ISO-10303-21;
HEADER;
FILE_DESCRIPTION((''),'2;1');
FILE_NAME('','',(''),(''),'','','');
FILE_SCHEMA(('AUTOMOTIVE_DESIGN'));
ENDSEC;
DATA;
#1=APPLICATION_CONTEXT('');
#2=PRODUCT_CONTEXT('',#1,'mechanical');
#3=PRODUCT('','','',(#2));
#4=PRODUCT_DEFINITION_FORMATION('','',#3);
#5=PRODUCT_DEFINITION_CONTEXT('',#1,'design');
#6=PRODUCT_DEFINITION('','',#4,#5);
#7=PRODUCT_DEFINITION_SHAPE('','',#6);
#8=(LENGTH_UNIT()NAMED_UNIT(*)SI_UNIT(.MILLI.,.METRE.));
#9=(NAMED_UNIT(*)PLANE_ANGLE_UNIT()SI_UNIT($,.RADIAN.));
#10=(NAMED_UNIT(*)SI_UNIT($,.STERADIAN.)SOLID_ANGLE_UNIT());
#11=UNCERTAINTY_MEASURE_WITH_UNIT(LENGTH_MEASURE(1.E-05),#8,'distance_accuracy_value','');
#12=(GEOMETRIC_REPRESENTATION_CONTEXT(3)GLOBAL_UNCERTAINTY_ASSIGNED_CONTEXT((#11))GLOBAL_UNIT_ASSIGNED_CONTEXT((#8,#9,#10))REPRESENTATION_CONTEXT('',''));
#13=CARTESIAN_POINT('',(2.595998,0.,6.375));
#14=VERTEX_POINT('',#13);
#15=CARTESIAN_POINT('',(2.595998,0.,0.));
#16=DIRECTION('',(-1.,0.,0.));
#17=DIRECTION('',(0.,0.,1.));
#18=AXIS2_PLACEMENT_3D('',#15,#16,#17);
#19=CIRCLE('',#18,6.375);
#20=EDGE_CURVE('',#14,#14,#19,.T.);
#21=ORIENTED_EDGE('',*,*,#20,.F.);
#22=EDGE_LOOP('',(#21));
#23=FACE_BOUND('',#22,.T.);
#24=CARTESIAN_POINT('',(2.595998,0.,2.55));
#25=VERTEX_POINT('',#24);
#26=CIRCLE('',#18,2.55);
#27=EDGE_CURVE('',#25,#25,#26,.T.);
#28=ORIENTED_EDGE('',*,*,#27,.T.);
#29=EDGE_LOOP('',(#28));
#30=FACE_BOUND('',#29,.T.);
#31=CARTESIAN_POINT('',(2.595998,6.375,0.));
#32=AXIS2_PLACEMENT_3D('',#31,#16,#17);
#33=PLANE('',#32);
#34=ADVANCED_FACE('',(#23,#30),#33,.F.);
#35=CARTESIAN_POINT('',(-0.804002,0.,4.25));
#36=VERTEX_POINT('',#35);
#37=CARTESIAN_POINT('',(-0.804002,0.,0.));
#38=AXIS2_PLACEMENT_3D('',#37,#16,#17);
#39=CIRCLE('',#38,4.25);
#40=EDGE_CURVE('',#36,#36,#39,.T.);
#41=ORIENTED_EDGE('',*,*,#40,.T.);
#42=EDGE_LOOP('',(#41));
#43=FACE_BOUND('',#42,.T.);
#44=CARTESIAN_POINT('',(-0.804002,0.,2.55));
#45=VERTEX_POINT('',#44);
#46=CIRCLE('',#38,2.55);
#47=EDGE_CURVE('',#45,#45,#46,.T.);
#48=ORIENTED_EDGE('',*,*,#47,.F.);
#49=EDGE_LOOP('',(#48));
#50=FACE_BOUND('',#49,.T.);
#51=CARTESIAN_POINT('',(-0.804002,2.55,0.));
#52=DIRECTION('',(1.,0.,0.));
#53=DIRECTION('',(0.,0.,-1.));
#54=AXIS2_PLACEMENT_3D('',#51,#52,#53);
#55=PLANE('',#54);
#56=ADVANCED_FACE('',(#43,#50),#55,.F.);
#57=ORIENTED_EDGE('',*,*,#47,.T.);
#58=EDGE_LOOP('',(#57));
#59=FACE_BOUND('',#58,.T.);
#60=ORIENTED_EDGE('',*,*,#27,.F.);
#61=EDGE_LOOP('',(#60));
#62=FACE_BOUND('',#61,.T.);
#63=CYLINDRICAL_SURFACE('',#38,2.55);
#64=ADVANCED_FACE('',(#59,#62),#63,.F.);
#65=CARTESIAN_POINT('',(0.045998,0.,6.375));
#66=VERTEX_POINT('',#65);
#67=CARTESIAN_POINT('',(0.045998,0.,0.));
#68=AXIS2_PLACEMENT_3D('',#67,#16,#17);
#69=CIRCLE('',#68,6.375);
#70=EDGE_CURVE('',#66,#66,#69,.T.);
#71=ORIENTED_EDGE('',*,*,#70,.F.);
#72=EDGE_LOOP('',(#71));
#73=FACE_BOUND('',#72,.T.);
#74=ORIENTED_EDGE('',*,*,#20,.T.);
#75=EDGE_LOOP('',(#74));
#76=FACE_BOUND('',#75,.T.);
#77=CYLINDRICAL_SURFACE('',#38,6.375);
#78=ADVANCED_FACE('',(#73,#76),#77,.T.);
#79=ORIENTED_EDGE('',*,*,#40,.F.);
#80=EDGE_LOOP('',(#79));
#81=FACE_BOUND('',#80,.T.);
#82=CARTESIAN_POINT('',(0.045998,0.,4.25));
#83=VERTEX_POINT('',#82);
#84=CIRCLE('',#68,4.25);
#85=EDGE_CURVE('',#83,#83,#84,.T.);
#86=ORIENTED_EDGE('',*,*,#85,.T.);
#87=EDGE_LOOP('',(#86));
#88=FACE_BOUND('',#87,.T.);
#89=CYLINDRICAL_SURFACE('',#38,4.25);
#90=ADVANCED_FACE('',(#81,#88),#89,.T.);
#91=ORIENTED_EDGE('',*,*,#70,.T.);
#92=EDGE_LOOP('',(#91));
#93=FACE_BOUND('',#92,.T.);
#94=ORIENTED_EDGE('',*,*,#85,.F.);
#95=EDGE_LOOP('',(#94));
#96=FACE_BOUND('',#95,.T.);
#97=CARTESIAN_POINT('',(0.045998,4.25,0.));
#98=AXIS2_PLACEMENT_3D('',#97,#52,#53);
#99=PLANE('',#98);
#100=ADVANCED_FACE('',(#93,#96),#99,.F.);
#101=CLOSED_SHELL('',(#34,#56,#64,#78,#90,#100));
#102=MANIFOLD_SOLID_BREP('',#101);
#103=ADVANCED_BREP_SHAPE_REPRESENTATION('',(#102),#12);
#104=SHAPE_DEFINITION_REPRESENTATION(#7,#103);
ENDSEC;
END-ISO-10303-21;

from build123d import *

# Parameters (mm, degrees)
SCALE1_SCALE = 1.7


with BuildPart() as part:
    # Sketch1 → Revolve1 (revolve)
    with BuildSketch(Plane.XY):
        Polygon((0, 1.5), (0, 2.5), (0.5, 2.5), (0.5, 3.75), (2, 3.75), (2, 1.5), align=None)
    revolve(axis=Axis((0, 0, 0), (1, 0, 0)))


with BuildPart() as part_1:
    # Scale1: scaled about (1.148573693, 0, 0)
    add(part.part.scale(SCALE1_SCALE).moved(Location((-0.804001585, 0, 0))))


solid = part_1.part
